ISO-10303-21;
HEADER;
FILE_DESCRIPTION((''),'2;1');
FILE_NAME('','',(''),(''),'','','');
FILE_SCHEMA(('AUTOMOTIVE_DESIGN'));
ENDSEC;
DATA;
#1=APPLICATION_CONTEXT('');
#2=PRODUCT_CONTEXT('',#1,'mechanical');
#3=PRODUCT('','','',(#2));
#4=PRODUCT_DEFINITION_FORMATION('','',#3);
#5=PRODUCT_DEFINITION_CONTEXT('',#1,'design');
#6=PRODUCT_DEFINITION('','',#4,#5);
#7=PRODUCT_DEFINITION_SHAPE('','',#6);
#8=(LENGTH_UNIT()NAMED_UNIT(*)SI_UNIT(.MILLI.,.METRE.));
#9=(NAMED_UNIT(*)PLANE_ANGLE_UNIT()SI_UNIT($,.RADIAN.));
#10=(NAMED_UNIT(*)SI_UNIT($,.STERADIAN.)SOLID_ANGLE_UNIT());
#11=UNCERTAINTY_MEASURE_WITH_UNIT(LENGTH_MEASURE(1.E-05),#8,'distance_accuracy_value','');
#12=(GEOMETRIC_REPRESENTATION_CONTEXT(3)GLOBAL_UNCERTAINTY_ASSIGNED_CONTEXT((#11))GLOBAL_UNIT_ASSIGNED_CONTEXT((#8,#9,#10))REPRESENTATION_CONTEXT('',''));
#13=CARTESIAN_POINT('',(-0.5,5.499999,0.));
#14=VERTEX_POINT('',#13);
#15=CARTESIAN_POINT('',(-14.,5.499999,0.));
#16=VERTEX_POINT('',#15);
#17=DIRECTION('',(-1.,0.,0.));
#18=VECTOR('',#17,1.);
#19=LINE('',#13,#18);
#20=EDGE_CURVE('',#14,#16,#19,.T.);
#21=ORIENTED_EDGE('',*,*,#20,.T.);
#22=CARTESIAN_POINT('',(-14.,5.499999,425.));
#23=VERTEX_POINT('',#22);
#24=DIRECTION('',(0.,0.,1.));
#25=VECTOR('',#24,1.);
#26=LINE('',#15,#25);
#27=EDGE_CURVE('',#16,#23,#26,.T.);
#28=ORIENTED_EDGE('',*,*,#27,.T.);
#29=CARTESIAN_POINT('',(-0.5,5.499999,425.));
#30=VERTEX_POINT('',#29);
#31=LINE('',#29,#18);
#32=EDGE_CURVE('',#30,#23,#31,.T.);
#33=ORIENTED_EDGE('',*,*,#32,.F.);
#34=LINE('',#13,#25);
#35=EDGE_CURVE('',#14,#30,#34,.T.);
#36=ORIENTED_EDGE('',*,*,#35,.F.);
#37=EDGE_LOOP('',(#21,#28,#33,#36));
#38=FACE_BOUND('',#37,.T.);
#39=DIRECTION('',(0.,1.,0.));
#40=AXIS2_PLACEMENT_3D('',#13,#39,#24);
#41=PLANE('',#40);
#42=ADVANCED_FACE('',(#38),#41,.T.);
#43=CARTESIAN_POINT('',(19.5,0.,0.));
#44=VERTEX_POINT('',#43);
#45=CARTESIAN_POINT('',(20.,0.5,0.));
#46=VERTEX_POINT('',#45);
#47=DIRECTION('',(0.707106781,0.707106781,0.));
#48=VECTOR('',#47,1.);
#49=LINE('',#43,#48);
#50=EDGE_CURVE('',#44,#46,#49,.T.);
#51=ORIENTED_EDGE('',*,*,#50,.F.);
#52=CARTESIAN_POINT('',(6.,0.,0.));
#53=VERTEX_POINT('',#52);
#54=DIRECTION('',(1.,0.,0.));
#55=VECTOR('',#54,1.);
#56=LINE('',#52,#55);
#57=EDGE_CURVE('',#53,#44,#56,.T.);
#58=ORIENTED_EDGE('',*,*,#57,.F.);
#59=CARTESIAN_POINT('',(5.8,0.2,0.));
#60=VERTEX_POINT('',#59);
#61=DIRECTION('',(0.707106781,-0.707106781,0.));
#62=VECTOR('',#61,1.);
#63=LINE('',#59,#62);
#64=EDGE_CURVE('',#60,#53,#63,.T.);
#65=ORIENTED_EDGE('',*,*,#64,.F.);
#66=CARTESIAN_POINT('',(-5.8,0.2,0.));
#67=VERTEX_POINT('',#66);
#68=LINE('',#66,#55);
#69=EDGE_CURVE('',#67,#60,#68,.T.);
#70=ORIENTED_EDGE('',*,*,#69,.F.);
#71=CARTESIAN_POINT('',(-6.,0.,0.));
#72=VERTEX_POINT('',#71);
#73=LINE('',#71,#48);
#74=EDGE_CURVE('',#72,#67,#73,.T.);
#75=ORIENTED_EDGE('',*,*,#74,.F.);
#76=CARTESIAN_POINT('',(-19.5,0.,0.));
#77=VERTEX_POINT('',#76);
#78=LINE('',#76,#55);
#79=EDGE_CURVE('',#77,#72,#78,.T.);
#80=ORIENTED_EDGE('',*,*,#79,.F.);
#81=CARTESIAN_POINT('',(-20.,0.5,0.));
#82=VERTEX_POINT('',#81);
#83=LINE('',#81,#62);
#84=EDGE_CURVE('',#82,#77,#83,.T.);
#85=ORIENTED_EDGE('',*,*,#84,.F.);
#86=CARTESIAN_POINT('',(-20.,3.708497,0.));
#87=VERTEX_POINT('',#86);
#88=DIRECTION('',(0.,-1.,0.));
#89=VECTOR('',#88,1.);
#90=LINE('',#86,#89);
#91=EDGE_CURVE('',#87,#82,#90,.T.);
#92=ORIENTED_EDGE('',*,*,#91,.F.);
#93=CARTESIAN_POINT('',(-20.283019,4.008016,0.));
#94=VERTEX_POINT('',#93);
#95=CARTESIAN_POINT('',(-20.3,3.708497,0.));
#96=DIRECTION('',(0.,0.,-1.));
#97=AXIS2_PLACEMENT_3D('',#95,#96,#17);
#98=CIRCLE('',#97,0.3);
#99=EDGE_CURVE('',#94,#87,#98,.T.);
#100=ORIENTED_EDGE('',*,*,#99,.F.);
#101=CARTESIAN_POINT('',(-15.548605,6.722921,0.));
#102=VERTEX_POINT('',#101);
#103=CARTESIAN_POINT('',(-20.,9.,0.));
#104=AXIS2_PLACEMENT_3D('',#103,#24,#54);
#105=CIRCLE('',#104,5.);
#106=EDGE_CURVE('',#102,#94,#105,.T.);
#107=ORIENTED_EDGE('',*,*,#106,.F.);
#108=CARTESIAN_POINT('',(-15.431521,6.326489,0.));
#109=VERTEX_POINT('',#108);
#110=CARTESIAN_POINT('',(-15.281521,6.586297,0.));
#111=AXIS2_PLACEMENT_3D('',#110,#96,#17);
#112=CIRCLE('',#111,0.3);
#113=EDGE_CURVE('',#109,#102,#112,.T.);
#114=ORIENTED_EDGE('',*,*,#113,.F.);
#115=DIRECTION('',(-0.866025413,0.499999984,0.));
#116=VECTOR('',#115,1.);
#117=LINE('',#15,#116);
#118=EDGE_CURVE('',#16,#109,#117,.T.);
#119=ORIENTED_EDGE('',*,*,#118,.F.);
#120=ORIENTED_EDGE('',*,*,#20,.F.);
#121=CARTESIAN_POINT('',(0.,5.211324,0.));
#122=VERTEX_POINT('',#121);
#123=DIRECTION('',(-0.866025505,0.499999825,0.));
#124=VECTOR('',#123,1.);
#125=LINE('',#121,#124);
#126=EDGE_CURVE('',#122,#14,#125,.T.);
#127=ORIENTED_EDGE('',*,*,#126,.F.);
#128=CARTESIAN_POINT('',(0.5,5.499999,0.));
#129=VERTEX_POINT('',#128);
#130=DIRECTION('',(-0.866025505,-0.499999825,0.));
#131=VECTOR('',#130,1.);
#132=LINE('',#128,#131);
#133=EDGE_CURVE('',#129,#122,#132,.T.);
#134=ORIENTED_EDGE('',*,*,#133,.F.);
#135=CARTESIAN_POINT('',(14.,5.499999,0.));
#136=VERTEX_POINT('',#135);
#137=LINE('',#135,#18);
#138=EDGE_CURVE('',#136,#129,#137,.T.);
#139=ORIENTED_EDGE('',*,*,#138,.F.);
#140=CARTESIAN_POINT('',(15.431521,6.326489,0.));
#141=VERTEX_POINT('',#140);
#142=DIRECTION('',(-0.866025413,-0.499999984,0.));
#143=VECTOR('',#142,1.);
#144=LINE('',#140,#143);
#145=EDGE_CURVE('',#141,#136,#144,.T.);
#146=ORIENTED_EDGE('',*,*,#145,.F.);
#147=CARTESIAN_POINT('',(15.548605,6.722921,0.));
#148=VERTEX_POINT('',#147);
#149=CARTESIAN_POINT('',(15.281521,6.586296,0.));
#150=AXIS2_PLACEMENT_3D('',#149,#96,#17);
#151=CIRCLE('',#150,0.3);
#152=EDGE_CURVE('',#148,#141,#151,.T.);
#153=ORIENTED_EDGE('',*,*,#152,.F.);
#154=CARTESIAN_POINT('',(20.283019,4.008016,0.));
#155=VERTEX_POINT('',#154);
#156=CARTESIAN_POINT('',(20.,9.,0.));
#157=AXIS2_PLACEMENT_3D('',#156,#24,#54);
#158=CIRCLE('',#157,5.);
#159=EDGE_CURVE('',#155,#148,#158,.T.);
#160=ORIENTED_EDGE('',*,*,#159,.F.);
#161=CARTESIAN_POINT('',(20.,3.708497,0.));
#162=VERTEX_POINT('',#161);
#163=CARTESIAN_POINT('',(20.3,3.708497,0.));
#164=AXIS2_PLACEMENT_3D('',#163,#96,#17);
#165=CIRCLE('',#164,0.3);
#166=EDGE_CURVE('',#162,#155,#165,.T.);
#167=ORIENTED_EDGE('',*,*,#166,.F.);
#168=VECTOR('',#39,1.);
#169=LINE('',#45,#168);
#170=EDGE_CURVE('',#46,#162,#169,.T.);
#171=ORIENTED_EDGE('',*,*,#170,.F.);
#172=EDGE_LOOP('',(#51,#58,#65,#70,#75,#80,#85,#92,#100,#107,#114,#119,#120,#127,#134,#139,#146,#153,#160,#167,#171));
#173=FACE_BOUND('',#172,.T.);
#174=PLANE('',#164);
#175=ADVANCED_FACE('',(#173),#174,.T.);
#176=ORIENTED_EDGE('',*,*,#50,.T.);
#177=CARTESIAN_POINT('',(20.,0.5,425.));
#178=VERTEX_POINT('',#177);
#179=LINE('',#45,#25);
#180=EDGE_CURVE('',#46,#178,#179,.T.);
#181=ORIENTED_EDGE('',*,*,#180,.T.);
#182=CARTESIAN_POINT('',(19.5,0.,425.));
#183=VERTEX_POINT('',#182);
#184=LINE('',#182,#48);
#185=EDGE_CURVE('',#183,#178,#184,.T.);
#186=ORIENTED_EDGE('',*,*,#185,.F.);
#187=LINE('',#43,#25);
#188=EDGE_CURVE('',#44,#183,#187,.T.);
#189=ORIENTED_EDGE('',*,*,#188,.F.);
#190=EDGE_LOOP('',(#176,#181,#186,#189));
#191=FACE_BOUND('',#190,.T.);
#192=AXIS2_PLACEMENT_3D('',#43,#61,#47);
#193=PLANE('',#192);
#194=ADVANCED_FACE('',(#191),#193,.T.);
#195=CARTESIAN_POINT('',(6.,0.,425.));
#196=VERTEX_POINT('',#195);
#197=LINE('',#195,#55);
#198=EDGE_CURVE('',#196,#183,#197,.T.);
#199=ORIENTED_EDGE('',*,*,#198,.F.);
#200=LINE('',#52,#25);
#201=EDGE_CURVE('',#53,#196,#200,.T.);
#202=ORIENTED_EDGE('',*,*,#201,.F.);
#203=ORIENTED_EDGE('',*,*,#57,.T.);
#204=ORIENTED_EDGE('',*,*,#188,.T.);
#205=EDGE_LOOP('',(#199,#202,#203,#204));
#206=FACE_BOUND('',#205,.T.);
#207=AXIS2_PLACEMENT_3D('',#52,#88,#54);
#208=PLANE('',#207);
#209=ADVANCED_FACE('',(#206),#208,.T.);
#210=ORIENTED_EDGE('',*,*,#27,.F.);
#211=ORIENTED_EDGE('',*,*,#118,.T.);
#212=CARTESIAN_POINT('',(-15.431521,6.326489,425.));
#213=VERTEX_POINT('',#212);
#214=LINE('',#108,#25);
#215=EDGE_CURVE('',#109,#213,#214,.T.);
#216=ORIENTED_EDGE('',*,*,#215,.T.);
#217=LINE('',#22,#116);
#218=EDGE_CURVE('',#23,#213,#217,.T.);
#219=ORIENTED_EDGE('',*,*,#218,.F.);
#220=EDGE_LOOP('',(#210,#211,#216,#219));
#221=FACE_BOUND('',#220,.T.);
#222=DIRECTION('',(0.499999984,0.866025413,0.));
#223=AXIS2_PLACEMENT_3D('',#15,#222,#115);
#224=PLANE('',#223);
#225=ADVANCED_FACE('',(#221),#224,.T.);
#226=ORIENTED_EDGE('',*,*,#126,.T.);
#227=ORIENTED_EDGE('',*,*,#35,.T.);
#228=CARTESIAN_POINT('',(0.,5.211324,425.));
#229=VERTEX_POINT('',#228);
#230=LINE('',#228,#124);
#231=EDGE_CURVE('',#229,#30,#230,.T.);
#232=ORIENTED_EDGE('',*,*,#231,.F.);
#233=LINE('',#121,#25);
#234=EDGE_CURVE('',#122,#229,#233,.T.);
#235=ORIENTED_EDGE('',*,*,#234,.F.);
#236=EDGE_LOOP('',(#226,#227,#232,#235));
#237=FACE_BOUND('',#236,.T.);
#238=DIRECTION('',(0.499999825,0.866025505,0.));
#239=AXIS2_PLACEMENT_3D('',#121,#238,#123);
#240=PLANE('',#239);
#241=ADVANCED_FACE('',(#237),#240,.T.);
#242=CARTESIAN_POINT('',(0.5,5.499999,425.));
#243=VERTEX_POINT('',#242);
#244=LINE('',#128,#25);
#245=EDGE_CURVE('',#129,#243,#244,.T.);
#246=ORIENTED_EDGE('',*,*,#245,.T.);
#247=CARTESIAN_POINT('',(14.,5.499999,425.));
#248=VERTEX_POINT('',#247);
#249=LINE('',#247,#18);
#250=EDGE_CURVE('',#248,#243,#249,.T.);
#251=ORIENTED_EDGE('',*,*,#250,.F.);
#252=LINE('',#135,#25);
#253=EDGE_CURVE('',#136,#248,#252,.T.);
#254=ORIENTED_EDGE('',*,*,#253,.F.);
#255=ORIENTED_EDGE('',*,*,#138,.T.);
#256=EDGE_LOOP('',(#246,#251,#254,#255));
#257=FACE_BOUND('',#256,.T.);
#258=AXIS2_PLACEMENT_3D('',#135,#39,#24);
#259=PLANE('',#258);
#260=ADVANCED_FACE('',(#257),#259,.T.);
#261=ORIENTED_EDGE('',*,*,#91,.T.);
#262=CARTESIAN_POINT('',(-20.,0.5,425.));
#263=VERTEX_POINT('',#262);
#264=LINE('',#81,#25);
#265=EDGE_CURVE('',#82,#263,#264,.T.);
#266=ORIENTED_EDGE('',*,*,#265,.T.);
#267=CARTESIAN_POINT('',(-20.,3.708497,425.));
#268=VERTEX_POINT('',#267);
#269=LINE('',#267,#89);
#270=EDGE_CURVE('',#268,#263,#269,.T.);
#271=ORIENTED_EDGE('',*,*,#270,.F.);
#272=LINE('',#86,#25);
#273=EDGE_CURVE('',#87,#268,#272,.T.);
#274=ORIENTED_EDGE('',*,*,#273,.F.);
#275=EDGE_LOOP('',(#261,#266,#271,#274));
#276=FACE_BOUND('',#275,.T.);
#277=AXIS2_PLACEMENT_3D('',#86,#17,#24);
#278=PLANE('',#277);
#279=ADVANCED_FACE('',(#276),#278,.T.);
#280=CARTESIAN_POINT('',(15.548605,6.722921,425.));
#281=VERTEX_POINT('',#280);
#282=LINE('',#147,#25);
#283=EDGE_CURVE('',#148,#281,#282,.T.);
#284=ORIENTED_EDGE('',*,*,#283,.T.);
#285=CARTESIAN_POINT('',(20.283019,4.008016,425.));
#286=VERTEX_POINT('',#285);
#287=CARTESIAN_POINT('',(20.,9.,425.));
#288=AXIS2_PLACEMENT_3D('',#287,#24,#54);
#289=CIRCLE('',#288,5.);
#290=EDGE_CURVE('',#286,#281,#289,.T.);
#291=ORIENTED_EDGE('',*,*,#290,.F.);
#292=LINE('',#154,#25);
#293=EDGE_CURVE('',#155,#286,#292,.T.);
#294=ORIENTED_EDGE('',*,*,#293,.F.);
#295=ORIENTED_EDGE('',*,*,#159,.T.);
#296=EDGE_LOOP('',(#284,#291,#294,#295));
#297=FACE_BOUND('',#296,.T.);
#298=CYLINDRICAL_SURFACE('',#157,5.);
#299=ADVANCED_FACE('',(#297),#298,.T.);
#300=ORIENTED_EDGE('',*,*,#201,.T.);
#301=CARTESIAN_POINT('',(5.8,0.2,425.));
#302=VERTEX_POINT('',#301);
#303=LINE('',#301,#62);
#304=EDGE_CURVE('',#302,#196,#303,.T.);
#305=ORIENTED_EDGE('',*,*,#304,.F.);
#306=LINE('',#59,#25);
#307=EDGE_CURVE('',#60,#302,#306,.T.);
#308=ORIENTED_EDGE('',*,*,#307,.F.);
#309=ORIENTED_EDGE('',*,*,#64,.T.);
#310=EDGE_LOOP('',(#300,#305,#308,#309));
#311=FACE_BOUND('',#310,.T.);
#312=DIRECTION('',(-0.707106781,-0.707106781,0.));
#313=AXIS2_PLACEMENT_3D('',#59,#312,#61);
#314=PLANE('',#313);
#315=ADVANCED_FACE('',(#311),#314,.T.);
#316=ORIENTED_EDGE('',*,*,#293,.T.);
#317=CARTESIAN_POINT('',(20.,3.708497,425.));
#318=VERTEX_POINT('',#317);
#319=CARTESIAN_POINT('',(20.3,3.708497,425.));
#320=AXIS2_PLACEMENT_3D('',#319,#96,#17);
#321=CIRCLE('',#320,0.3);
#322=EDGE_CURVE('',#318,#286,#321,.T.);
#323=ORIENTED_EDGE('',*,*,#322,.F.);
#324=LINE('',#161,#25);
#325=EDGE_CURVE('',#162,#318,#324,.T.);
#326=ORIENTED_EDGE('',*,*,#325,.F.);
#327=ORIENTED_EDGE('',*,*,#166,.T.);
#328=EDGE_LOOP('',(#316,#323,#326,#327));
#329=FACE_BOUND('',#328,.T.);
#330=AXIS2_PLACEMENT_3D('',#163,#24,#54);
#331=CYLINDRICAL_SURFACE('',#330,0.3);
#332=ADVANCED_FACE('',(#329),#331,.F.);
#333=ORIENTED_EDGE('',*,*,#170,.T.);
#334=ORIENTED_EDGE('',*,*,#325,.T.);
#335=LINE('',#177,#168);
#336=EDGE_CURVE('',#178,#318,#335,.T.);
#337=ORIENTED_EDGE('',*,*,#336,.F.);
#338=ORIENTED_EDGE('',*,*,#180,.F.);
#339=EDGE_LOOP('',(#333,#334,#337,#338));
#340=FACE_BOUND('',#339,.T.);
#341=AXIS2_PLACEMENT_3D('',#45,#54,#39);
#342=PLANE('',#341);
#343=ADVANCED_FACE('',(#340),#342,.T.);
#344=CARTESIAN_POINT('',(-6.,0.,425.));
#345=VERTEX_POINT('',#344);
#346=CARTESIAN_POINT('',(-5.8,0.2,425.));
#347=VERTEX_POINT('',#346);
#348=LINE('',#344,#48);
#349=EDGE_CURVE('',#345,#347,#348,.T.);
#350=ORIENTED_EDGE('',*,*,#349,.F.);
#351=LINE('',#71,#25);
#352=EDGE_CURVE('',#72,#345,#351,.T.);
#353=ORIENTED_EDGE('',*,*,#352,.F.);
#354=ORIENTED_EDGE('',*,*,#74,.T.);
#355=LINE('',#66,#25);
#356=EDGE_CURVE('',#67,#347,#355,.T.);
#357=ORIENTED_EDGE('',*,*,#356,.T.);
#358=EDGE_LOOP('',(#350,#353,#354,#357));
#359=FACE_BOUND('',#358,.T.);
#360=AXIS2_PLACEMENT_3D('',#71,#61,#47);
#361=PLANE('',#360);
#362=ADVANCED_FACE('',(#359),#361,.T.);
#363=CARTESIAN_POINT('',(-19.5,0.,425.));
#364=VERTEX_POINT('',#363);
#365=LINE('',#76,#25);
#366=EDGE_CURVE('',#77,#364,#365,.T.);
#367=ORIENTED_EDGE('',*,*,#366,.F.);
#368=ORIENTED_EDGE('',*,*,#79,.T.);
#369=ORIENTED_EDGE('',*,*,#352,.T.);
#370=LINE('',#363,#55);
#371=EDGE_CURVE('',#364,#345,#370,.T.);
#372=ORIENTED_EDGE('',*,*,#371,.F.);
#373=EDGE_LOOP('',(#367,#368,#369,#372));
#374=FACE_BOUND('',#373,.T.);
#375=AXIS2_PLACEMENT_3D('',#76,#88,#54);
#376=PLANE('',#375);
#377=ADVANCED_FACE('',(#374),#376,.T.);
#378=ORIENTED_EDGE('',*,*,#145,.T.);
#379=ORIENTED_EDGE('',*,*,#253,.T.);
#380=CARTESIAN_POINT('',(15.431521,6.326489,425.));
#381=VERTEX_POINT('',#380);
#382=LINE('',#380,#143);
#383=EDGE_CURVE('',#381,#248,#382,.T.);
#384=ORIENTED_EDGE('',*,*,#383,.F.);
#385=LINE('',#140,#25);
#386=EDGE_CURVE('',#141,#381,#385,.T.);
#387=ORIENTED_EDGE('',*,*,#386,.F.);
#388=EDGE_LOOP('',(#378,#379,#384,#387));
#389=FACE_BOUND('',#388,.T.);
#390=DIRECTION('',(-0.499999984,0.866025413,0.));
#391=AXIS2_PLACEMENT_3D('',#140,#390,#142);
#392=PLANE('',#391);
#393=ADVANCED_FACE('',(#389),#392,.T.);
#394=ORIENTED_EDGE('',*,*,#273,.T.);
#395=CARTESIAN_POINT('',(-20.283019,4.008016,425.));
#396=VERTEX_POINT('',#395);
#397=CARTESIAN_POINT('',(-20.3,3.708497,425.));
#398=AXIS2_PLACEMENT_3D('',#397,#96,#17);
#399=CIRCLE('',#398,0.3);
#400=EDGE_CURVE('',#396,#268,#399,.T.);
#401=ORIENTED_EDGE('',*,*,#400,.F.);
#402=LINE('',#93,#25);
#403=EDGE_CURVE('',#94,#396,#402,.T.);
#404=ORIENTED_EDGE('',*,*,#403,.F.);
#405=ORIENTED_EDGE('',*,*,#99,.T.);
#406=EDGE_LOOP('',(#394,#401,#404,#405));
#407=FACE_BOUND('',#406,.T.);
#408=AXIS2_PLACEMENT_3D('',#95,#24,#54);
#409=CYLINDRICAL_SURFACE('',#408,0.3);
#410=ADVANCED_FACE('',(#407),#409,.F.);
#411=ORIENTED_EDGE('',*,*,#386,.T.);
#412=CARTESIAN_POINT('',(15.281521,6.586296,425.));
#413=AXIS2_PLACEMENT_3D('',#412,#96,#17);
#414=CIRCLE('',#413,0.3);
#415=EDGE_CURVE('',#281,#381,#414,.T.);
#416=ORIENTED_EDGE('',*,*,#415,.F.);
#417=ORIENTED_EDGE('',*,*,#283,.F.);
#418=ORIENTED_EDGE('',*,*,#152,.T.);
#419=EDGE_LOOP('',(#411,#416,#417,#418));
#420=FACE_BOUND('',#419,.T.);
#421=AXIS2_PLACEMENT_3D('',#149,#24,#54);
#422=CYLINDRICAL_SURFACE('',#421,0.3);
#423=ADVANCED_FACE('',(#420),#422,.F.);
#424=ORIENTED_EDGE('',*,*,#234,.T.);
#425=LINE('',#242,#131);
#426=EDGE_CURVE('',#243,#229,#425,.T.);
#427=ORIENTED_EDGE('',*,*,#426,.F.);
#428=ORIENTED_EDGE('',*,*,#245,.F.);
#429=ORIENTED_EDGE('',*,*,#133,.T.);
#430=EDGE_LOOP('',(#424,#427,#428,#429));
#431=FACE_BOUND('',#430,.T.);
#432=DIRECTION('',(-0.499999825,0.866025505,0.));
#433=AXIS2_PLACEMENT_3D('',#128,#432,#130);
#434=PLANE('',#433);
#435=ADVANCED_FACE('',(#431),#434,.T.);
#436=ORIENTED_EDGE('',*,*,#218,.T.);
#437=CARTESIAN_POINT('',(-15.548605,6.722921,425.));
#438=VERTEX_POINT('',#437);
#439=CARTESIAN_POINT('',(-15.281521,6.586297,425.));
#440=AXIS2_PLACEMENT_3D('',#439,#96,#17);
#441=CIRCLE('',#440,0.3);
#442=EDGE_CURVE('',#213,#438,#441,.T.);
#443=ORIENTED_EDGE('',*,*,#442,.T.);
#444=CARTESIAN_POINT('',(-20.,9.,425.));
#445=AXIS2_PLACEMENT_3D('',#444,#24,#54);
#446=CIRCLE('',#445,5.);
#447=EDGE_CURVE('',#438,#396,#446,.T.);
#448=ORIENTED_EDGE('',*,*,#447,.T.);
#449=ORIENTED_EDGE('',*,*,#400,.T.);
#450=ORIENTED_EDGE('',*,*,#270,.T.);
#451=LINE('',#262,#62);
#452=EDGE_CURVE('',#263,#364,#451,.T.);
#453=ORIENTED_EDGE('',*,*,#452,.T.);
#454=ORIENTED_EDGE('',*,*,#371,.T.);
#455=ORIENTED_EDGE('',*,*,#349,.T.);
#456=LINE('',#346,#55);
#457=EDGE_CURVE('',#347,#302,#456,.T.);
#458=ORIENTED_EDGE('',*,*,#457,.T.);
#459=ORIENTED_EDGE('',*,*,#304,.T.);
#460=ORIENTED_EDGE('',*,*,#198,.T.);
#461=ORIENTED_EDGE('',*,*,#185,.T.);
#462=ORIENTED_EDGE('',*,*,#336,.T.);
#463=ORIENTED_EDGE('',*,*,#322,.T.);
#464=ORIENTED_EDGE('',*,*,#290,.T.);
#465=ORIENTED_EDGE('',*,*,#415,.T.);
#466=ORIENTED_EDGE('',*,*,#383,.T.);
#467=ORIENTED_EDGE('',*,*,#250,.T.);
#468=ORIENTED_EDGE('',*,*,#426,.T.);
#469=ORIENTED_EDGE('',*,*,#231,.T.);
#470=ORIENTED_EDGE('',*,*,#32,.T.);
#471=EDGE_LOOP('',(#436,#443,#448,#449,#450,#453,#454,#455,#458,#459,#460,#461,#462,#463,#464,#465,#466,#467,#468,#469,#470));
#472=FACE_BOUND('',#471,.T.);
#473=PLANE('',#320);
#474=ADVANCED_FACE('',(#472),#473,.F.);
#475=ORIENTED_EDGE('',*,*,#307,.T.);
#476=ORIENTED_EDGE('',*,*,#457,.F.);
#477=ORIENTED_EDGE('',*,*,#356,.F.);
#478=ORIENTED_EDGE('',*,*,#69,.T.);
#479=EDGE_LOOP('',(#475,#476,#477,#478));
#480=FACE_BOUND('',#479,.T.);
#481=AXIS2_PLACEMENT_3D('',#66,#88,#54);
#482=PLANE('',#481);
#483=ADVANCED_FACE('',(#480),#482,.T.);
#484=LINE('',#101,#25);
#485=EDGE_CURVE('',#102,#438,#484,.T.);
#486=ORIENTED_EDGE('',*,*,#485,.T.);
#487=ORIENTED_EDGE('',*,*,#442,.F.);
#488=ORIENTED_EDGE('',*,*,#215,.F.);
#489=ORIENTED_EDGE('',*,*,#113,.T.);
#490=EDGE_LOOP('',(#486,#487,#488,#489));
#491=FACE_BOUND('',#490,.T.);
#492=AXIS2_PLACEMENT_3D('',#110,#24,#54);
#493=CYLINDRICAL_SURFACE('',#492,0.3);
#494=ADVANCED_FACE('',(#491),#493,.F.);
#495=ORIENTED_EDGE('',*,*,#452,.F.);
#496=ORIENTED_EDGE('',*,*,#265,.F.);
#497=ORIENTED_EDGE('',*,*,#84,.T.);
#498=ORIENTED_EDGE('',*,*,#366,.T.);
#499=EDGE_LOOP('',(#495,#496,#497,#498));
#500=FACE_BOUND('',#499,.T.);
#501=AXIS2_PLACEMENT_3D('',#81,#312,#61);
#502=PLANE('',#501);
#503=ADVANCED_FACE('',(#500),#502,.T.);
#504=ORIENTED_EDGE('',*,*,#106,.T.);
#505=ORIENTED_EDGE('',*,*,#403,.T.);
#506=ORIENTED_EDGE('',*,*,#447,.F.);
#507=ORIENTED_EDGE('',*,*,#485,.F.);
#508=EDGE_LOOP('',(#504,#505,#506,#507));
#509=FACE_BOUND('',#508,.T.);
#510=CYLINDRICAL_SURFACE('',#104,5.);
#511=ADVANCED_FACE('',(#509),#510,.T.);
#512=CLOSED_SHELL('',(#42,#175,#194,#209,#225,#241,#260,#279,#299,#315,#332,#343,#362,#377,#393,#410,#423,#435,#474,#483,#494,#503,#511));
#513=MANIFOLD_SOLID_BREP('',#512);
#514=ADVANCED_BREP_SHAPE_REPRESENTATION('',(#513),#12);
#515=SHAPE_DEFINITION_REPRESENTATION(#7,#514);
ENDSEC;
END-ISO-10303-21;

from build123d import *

# Parameters (mm, degrees)
BOSS_EXTRUDE1_DEPTH = 425


with BuildPart() as part:
    # Sketch1 → Boss-Extrude1 (new body)
    with BuildSketch(Plane.XY.offset(425)):
        with BuildLine():
            Line((-20, 0.5), (-19.5, 0))
            Line((-19.5, 0), (-6, 0))
            Line((-6, 0), (-5.8, 0.2))
            Line((-5.8, 0.2), (5.8, 0.2))
            Line((5.8, 0.2), (6, 0))
            Line((6, 0), (19.5, 0))
            Line((19.5, 0), (20, 0.5))
            Line((20, 0.5), (20, 3.708496771))
            ThreePointArc((20, 3.708496771), (20.081946856, 3.914537598), (20.283018838, 4.008015763))
            ThreePointArc((20.283018838, 4.008015763), (22.487270957, 13.337451356), (15.548604796, 6.722921305))
            ThreePointArc((15.548604796, 6.722921305), (15.569235136, 6.501321924), (15.431520983, 6.326488551))
            Line((15.431520983, 6.326488551), (13.999999829, 5.499999462))
            Line((13.999999829, 5.499999462), (0.499999829, 5.499999462))
            Line((0.499999829, 5.499999462), (-1.71e-07, 5.211324462))
            Line((-1.71e-07, 5.211324462), (-0.500000171, 5.499999462))
            Line((-0.500000171, 5.499999462), (-14.000000171, 5.499999462))
            Line((-14.000000171, 5.499999462), (-15.431521324, 6.326488551))
            ThreePointArc((-15.431521324, 6.326488551), (-15.569235521, 6.501321979), (-15.548605174, 6.72292143))
            ThreePointArc((-15.548605174, 6.72292143), (-22.487271055, 13.33745115), (-20.283018868, 4.008016016))
            ThreePointArc((-20.283018868, 4.008016016), (-20.081946865, 3.914537846), (-20, 3.708497))
            Line((-20, 3.708497), (-20, 0.5))
        make_face()
    extrude(amount=-BOSS_EXTRUDE1_DEPTH)


solid = part.part
